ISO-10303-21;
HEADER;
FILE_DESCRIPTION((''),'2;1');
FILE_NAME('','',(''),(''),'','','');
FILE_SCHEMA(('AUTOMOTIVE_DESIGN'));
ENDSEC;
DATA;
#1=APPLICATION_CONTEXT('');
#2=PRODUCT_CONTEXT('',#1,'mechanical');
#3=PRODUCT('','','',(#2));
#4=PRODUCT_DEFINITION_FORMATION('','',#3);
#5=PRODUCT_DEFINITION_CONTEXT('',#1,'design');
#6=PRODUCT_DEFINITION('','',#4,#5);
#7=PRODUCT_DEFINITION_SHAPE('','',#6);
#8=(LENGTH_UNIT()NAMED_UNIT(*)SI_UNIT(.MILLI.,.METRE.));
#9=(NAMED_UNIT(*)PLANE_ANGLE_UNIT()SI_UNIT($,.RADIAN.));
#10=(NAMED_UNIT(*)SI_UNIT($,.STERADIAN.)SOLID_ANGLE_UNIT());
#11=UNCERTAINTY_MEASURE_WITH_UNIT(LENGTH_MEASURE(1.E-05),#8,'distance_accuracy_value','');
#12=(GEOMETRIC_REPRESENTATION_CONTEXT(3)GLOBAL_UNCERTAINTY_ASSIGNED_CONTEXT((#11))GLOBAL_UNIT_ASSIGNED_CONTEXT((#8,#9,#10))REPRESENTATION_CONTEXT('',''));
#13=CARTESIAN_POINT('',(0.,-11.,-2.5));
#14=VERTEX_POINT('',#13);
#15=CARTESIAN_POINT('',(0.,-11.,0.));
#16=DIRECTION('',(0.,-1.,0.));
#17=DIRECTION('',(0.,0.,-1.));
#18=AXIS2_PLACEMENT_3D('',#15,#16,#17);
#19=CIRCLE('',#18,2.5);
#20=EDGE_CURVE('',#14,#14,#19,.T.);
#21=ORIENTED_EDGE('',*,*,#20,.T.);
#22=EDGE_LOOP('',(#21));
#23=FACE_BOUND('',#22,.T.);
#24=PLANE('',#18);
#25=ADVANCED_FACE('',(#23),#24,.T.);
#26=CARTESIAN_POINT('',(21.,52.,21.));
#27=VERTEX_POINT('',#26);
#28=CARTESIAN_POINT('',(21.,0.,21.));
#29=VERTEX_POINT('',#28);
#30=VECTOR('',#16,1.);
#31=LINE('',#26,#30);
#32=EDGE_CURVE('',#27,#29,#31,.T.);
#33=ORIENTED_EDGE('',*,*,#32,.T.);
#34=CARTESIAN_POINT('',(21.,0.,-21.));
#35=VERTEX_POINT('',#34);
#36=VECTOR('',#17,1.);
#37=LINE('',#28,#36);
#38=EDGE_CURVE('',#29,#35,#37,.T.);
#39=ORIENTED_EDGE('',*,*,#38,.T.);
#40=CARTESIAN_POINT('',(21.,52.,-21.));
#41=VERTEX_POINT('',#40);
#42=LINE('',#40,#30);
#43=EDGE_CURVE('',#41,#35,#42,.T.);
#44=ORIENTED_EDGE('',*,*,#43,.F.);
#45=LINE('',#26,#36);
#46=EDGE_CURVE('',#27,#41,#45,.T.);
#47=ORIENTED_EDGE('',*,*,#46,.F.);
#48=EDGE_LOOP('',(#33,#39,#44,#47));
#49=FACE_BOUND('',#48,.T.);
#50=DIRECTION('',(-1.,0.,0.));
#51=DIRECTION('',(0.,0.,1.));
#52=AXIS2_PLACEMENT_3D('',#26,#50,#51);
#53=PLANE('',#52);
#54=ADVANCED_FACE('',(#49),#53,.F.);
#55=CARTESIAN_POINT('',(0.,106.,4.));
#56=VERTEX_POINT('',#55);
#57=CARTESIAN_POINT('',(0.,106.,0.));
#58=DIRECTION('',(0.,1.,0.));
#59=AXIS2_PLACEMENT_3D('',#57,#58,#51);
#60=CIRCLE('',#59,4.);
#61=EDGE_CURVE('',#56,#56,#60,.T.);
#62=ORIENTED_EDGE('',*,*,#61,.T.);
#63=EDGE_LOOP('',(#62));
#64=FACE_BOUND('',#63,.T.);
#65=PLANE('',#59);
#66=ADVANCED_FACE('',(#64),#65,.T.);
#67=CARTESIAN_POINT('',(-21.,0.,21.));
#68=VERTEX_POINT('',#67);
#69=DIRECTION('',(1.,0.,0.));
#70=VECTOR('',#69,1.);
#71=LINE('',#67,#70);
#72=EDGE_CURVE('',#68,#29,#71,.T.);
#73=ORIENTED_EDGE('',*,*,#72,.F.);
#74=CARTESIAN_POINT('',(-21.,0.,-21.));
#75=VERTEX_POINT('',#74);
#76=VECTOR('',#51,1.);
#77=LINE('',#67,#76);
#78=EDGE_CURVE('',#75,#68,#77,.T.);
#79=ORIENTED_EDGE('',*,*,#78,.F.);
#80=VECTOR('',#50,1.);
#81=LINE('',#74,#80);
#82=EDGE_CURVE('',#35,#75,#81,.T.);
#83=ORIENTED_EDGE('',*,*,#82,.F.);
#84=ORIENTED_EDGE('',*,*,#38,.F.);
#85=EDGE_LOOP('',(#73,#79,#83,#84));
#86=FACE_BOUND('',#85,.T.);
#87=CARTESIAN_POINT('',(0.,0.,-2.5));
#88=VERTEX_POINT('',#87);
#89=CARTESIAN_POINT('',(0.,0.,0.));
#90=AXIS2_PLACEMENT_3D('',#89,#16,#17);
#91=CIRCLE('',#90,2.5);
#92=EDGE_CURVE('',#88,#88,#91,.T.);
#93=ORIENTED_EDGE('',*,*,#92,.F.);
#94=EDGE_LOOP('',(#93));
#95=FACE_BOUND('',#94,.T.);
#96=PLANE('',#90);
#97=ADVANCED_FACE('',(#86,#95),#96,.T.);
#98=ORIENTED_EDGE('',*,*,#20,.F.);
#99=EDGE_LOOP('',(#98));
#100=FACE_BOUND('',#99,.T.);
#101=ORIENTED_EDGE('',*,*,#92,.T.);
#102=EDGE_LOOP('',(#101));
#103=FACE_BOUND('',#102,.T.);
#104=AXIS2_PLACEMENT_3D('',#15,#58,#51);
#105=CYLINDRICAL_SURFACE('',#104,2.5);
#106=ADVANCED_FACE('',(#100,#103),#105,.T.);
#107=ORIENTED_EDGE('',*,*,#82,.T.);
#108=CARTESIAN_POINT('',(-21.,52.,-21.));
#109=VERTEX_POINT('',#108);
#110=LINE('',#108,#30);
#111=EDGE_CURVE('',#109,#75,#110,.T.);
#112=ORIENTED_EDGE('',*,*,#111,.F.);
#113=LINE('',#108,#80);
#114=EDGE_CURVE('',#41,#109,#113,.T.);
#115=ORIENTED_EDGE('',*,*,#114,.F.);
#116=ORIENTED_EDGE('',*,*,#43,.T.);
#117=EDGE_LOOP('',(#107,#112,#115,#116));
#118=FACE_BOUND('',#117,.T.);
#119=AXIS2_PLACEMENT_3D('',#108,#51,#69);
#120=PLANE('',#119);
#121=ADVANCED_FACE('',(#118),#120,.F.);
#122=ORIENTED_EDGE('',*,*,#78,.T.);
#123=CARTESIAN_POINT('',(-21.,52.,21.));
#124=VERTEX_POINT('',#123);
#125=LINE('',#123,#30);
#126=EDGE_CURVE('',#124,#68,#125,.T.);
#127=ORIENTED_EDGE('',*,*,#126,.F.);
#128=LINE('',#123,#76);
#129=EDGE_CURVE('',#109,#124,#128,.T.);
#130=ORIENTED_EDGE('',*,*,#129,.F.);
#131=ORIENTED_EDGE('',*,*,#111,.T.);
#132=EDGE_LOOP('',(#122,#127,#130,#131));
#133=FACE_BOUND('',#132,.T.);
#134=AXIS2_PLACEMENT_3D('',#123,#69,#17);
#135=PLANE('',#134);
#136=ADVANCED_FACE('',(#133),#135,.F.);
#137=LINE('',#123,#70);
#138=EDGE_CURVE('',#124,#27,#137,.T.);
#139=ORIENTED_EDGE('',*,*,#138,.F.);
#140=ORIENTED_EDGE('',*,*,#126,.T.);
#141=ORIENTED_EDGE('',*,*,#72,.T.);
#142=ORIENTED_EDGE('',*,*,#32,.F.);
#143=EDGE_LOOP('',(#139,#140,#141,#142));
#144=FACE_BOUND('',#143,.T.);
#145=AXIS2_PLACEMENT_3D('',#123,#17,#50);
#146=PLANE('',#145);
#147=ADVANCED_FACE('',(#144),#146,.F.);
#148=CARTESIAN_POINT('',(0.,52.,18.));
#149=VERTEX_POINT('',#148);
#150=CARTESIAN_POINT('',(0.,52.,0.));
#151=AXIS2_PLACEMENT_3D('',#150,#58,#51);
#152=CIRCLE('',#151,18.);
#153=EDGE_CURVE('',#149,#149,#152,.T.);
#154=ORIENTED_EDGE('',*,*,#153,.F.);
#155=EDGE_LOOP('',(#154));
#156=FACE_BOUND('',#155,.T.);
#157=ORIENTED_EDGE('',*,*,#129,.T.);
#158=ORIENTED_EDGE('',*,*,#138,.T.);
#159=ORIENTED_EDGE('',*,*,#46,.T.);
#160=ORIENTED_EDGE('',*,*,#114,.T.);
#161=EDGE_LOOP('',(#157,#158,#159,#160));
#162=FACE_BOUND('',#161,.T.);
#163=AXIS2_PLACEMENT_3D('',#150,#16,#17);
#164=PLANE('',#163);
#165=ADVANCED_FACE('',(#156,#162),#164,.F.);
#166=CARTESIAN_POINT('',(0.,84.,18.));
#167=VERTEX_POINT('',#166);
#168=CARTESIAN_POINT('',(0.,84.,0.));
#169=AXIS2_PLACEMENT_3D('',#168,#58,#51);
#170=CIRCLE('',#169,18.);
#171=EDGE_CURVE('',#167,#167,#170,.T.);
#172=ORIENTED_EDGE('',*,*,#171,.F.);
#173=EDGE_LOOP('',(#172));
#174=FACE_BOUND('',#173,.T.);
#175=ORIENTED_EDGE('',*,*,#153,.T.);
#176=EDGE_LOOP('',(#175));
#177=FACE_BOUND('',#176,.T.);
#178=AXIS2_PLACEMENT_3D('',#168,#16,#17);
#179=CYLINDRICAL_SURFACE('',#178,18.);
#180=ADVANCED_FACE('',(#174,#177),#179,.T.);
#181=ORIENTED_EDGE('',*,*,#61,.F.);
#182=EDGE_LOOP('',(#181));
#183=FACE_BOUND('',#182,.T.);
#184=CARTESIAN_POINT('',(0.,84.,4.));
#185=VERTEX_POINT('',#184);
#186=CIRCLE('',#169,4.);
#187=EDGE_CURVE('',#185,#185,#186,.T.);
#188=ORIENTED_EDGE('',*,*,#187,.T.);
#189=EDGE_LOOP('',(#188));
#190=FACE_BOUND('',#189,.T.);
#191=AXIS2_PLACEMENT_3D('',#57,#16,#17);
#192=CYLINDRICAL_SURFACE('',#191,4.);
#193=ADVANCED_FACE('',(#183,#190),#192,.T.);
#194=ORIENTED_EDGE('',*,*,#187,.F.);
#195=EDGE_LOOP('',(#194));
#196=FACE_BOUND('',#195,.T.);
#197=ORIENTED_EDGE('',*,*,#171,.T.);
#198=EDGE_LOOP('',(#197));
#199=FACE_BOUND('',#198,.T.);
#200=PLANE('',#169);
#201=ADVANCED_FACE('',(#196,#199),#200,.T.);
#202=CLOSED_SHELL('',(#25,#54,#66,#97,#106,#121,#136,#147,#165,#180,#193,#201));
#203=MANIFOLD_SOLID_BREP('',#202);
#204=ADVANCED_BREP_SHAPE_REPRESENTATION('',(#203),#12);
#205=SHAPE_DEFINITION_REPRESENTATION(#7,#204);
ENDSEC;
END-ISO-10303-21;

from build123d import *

# Parameters (mm, degrees)
SKETCH1_W           = 42
SKETCH1_H           = 42
BOSS_EXTRUDE1_DEPTH = 52
SKETCH2_R           = 18
BOSS_EXTRUDE2_DEPTH = 32
SKETCH3_R           = 4
BOSS_EXTRUDE3_DEPTH = 22
SKETCH4_R           = 2.5
BOSS_EXTRUDE4_DEPTH = 11


with BuildPart() as part:
    # Sketch1 → Boss-Extrude1 (new body)
    with BuildSketch(Plane(origin=(0, 0, 0), x_dir=(1, 0, 0), z_dir=(0, 1, 0))):
        Rectangle(SKETCH1_W, SKETCH1_H)
    extrude(amount=BOSS_EXTRUDE1_DEPTH)

    # Sketch2 → Boss-Extrude2 (add)
    with BuildSketch(Plane(origin=(0, 52, 0), x_dir=(1, 0, 0), z_dir=(0, 1, 0))):
        with Locations(Location((0, 0, 0), (0, 0, 270))):
            Circle(SKETCH2_R)
    extrude(amount=BOSS_EXTRUDE2_DEPTH)

    # Sketch3 → Boss-Extrude3 (add)
    with BuildSketch(Plane(origin=(0, 84, 0), x_dir=(1, 0, 0), z_dir=(0, 1, 0))):
        with Locations(Location((0, 0, 0), (0, 0, 270))):
            Circle(SKETCH3_R)
    extrude(amount=BOSS_EXTRUDE3_DEPTH)

    # Sketch4 → Boss-Extrude4 (add)
    with BuildSketch(Plane.XZ):
        with Locations(Location((0, 0, 0), (0, 0, 270))):
            Circle(SKETCH4_R)
    extrude(amount=BOSS_EXTRUDE4_DEPTH)


solid = part.part
